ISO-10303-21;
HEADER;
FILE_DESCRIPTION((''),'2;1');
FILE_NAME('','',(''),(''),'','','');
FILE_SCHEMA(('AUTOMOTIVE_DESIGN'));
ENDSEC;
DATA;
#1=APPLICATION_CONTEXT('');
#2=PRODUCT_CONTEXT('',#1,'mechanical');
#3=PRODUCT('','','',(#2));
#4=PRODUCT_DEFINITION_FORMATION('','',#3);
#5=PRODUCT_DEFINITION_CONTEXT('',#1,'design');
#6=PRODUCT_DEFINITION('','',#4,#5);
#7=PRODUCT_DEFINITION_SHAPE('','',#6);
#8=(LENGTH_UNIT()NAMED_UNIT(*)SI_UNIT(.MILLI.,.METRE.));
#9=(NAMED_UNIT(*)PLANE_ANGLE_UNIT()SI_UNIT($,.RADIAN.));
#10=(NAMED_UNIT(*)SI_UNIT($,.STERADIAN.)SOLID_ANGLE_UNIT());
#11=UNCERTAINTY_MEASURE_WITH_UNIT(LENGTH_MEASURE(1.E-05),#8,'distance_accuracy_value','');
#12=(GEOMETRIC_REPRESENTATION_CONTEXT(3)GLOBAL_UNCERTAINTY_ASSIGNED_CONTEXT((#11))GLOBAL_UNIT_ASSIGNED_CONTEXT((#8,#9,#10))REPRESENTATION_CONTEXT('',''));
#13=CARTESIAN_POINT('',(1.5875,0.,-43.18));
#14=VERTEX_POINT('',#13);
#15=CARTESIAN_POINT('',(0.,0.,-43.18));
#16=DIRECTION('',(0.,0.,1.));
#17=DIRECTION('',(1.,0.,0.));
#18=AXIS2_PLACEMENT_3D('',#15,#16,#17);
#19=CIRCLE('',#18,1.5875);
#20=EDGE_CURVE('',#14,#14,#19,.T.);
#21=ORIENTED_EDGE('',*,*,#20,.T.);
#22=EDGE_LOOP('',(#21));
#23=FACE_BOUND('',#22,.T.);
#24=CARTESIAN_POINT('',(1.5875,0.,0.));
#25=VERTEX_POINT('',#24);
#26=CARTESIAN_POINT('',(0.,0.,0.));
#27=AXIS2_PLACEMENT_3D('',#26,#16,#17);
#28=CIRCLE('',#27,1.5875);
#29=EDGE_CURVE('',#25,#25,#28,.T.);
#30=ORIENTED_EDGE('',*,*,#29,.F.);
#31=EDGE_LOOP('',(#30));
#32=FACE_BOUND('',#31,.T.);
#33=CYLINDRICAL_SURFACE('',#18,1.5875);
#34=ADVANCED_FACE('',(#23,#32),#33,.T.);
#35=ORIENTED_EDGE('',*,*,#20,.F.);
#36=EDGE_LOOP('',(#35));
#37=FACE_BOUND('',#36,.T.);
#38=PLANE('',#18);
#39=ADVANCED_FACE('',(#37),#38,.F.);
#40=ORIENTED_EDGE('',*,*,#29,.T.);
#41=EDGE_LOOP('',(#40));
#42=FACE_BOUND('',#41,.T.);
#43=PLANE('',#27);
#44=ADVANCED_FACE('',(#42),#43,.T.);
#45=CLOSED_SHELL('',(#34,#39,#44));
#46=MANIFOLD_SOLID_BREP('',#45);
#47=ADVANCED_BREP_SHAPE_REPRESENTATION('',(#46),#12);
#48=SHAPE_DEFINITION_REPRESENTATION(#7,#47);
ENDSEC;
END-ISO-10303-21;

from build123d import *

# Parameters (mm, degrees)
SKETCH1_R  = 1.5875
BODY_DEPTH = 43.18


with BuildPart() as part:
    # Sketch1 → Body (new body)
    with BuildSketch(Plane.XY):
        Circle(SKETCH1_R)
    extrude(amount=-BODY_DEPTH)


solid = part.part
